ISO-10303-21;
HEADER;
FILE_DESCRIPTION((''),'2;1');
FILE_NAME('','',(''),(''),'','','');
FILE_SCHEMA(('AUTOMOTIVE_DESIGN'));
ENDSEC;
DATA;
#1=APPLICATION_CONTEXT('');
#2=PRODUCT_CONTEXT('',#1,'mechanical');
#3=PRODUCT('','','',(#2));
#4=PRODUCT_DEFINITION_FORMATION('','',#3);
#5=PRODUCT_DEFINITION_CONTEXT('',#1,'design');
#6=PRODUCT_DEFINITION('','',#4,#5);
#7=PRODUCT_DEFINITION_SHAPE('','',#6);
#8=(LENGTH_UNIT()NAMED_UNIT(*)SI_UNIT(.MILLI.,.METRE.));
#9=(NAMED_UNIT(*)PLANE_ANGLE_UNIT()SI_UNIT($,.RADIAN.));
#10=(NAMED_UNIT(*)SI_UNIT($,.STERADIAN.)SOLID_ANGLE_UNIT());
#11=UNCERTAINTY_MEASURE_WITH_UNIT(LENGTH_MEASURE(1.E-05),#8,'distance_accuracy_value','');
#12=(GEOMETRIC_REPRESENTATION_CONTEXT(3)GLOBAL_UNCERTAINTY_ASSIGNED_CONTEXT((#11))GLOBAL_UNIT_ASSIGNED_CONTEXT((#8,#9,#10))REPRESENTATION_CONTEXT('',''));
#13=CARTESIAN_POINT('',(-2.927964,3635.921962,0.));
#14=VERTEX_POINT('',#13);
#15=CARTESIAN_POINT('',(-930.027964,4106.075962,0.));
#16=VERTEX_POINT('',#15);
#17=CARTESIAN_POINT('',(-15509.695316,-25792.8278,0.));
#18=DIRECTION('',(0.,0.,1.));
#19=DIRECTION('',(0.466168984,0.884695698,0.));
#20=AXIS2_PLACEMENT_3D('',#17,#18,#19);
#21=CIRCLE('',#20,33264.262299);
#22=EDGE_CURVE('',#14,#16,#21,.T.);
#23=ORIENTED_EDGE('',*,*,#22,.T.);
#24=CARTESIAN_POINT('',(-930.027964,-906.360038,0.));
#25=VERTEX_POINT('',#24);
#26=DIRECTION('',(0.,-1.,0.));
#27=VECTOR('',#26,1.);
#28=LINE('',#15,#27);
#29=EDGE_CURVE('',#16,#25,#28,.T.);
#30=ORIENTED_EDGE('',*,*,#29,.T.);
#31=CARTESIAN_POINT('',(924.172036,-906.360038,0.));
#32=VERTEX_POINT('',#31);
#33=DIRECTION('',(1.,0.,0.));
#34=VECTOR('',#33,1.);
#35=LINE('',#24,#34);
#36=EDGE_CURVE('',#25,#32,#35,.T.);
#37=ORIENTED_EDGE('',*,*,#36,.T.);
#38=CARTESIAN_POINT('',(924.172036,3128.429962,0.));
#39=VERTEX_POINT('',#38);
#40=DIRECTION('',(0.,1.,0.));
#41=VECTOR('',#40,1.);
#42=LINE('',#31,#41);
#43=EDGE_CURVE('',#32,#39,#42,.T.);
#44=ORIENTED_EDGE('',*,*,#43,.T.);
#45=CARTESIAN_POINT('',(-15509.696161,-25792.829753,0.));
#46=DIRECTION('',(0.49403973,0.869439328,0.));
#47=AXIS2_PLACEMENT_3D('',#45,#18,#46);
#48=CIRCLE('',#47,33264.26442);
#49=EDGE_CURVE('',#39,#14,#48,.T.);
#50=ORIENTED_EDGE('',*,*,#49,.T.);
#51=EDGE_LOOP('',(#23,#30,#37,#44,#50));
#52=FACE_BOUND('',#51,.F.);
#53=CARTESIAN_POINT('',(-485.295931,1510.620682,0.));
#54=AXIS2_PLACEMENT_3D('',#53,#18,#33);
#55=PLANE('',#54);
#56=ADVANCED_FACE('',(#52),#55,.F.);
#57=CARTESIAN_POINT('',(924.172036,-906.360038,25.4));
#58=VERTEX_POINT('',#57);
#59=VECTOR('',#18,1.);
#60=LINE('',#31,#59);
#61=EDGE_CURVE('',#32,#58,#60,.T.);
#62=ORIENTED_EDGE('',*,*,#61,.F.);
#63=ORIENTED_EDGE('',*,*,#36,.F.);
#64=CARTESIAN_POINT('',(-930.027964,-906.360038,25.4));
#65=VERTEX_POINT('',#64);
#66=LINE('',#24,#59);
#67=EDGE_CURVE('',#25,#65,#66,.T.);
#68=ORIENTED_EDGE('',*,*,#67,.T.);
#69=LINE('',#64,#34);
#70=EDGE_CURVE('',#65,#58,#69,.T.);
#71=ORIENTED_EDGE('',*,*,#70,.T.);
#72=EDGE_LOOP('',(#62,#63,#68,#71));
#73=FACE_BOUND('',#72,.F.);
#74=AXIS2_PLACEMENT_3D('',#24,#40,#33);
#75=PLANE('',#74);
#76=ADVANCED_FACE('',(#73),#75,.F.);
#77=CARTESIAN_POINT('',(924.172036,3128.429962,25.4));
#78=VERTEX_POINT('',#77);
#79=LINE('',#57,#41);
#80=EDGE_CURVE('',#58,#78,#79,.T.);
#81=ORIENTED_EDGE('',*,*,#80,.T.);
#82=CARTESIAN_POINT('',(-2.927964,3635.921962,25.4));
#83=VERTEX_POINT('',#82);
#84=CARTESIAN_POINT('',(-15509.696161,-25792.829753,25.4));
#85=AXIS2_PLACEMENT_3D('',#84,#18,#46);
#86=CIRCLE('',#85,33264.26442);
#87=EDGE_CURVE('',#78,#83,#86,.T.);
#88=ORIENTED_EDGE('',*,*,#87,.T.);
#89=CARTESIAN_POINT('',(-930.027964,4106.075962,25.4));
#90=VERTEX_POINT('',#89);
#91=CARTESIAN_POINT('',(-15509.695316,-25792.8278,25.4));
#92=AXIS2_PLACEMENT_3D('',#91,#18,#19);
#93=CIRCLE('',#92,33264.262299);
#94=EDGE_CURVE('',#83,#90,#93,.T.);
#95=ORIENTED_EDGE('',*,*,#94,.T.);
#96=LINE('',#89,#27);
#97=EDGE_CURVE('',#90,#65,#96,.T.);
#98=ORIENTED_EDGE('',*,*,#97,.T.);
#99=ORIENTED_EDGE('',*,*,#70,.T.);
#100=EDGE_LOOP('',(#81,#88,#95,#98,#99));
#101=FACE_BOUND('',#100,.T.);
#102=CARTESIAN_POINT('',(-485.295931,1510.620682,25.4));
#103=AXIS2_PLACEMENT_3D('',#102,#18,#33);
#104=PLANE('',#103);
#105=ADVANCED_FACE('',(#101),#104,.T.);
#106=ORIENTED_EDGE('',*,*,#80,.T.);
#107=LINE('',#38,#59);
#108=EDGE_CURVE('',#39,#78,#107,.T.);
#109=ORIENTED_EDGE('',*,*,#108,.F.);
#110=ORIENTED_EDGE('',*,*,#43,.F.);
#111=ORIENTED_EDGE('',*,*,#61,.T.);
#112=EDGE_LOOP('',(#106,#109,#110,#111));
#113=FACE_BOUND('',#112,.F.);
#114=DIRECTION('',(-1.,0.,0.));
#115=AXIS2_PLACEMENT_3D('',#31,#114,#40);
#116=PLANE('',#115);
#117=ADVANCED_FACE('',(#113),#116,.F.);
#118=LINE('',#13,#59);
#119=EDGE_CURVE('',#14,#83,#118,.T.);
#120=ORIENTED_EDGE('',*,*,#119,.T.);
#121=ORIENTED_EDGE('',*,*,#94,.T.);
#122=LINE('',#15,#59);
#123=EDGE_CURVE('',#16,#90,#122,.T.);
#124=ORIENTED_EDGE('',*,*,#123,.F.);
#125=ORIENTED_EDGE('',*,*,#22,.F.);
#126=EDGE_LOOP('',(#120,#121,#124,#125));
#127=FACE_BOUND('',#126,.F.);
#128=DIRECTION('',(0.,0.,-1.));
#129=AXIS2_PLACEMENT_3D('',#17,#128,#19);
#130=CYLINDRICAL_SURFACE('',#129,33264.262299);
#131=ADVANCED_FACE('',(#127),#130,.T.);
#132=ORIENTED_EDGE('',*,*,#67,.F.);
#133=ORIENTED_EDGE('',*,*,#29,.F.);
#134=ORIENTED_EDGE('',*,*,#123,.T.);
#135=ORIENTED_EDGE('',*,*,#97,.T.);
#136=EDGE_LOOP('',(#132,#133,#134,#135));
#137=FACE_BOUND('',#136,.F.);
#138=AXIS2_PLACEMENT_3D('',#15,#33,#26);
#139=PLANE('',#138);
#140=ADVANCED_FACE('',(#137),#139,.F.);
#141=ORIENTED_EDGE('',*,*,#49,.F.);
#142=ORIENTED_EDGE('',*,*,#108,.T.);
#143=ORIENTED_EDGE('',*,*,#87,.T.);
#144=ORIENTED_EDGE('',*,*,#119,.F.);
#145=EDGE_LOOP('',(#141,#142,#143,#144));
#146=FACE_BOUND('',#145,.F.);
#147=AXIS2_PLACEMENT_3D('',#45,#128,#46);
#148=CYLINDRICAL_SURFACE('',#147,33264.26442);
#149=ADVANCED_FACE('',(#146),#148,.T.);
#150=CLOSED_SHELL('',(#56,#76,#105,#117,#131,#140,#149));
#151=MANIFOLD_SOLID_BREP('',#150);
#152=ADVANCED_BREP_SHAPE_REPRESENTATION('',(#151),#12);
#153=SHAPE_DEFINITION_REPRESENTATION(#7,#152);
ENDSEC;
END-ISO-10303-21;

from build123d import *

# Parameters (mm, degrees)
F1_DEPTH = 25.4


with BuildPart() as f1:
    # F0 (on Top) → F1 (new body)
    with BuildSketch(Plane.XY):
        with BuildLine():
            Line((-930.027964, 4106.075962), (-930.027964, -906.360038))
            Line((-930.027964, -906.360038), (-2.927964, -906.360038))
            Line((-2.927964, -906.360038), (-2.927964, 3635.921962))
            ThreePointArc((-2.927964, 3635.921962), (-464.641328, 3874.620637), (-930.027964, 4106.075962))
        make_face()
        with BuildLine():
            Line((-2.927964, 3635.921962), (-2.927964, -906.360038))
            Line((-2.927964, -906.360038), (924.172036, -906.360038))
            Line((924.172036, -906.360038), (924.172036, 3128.429962))
            ThreePointArc((924.172036, 3128.429962), (462.637743, 3385.85831), (-2.927964, 3635.921962))
        make_face()
    extrude(amount=F1_DEPTH)


solid = f1.part
